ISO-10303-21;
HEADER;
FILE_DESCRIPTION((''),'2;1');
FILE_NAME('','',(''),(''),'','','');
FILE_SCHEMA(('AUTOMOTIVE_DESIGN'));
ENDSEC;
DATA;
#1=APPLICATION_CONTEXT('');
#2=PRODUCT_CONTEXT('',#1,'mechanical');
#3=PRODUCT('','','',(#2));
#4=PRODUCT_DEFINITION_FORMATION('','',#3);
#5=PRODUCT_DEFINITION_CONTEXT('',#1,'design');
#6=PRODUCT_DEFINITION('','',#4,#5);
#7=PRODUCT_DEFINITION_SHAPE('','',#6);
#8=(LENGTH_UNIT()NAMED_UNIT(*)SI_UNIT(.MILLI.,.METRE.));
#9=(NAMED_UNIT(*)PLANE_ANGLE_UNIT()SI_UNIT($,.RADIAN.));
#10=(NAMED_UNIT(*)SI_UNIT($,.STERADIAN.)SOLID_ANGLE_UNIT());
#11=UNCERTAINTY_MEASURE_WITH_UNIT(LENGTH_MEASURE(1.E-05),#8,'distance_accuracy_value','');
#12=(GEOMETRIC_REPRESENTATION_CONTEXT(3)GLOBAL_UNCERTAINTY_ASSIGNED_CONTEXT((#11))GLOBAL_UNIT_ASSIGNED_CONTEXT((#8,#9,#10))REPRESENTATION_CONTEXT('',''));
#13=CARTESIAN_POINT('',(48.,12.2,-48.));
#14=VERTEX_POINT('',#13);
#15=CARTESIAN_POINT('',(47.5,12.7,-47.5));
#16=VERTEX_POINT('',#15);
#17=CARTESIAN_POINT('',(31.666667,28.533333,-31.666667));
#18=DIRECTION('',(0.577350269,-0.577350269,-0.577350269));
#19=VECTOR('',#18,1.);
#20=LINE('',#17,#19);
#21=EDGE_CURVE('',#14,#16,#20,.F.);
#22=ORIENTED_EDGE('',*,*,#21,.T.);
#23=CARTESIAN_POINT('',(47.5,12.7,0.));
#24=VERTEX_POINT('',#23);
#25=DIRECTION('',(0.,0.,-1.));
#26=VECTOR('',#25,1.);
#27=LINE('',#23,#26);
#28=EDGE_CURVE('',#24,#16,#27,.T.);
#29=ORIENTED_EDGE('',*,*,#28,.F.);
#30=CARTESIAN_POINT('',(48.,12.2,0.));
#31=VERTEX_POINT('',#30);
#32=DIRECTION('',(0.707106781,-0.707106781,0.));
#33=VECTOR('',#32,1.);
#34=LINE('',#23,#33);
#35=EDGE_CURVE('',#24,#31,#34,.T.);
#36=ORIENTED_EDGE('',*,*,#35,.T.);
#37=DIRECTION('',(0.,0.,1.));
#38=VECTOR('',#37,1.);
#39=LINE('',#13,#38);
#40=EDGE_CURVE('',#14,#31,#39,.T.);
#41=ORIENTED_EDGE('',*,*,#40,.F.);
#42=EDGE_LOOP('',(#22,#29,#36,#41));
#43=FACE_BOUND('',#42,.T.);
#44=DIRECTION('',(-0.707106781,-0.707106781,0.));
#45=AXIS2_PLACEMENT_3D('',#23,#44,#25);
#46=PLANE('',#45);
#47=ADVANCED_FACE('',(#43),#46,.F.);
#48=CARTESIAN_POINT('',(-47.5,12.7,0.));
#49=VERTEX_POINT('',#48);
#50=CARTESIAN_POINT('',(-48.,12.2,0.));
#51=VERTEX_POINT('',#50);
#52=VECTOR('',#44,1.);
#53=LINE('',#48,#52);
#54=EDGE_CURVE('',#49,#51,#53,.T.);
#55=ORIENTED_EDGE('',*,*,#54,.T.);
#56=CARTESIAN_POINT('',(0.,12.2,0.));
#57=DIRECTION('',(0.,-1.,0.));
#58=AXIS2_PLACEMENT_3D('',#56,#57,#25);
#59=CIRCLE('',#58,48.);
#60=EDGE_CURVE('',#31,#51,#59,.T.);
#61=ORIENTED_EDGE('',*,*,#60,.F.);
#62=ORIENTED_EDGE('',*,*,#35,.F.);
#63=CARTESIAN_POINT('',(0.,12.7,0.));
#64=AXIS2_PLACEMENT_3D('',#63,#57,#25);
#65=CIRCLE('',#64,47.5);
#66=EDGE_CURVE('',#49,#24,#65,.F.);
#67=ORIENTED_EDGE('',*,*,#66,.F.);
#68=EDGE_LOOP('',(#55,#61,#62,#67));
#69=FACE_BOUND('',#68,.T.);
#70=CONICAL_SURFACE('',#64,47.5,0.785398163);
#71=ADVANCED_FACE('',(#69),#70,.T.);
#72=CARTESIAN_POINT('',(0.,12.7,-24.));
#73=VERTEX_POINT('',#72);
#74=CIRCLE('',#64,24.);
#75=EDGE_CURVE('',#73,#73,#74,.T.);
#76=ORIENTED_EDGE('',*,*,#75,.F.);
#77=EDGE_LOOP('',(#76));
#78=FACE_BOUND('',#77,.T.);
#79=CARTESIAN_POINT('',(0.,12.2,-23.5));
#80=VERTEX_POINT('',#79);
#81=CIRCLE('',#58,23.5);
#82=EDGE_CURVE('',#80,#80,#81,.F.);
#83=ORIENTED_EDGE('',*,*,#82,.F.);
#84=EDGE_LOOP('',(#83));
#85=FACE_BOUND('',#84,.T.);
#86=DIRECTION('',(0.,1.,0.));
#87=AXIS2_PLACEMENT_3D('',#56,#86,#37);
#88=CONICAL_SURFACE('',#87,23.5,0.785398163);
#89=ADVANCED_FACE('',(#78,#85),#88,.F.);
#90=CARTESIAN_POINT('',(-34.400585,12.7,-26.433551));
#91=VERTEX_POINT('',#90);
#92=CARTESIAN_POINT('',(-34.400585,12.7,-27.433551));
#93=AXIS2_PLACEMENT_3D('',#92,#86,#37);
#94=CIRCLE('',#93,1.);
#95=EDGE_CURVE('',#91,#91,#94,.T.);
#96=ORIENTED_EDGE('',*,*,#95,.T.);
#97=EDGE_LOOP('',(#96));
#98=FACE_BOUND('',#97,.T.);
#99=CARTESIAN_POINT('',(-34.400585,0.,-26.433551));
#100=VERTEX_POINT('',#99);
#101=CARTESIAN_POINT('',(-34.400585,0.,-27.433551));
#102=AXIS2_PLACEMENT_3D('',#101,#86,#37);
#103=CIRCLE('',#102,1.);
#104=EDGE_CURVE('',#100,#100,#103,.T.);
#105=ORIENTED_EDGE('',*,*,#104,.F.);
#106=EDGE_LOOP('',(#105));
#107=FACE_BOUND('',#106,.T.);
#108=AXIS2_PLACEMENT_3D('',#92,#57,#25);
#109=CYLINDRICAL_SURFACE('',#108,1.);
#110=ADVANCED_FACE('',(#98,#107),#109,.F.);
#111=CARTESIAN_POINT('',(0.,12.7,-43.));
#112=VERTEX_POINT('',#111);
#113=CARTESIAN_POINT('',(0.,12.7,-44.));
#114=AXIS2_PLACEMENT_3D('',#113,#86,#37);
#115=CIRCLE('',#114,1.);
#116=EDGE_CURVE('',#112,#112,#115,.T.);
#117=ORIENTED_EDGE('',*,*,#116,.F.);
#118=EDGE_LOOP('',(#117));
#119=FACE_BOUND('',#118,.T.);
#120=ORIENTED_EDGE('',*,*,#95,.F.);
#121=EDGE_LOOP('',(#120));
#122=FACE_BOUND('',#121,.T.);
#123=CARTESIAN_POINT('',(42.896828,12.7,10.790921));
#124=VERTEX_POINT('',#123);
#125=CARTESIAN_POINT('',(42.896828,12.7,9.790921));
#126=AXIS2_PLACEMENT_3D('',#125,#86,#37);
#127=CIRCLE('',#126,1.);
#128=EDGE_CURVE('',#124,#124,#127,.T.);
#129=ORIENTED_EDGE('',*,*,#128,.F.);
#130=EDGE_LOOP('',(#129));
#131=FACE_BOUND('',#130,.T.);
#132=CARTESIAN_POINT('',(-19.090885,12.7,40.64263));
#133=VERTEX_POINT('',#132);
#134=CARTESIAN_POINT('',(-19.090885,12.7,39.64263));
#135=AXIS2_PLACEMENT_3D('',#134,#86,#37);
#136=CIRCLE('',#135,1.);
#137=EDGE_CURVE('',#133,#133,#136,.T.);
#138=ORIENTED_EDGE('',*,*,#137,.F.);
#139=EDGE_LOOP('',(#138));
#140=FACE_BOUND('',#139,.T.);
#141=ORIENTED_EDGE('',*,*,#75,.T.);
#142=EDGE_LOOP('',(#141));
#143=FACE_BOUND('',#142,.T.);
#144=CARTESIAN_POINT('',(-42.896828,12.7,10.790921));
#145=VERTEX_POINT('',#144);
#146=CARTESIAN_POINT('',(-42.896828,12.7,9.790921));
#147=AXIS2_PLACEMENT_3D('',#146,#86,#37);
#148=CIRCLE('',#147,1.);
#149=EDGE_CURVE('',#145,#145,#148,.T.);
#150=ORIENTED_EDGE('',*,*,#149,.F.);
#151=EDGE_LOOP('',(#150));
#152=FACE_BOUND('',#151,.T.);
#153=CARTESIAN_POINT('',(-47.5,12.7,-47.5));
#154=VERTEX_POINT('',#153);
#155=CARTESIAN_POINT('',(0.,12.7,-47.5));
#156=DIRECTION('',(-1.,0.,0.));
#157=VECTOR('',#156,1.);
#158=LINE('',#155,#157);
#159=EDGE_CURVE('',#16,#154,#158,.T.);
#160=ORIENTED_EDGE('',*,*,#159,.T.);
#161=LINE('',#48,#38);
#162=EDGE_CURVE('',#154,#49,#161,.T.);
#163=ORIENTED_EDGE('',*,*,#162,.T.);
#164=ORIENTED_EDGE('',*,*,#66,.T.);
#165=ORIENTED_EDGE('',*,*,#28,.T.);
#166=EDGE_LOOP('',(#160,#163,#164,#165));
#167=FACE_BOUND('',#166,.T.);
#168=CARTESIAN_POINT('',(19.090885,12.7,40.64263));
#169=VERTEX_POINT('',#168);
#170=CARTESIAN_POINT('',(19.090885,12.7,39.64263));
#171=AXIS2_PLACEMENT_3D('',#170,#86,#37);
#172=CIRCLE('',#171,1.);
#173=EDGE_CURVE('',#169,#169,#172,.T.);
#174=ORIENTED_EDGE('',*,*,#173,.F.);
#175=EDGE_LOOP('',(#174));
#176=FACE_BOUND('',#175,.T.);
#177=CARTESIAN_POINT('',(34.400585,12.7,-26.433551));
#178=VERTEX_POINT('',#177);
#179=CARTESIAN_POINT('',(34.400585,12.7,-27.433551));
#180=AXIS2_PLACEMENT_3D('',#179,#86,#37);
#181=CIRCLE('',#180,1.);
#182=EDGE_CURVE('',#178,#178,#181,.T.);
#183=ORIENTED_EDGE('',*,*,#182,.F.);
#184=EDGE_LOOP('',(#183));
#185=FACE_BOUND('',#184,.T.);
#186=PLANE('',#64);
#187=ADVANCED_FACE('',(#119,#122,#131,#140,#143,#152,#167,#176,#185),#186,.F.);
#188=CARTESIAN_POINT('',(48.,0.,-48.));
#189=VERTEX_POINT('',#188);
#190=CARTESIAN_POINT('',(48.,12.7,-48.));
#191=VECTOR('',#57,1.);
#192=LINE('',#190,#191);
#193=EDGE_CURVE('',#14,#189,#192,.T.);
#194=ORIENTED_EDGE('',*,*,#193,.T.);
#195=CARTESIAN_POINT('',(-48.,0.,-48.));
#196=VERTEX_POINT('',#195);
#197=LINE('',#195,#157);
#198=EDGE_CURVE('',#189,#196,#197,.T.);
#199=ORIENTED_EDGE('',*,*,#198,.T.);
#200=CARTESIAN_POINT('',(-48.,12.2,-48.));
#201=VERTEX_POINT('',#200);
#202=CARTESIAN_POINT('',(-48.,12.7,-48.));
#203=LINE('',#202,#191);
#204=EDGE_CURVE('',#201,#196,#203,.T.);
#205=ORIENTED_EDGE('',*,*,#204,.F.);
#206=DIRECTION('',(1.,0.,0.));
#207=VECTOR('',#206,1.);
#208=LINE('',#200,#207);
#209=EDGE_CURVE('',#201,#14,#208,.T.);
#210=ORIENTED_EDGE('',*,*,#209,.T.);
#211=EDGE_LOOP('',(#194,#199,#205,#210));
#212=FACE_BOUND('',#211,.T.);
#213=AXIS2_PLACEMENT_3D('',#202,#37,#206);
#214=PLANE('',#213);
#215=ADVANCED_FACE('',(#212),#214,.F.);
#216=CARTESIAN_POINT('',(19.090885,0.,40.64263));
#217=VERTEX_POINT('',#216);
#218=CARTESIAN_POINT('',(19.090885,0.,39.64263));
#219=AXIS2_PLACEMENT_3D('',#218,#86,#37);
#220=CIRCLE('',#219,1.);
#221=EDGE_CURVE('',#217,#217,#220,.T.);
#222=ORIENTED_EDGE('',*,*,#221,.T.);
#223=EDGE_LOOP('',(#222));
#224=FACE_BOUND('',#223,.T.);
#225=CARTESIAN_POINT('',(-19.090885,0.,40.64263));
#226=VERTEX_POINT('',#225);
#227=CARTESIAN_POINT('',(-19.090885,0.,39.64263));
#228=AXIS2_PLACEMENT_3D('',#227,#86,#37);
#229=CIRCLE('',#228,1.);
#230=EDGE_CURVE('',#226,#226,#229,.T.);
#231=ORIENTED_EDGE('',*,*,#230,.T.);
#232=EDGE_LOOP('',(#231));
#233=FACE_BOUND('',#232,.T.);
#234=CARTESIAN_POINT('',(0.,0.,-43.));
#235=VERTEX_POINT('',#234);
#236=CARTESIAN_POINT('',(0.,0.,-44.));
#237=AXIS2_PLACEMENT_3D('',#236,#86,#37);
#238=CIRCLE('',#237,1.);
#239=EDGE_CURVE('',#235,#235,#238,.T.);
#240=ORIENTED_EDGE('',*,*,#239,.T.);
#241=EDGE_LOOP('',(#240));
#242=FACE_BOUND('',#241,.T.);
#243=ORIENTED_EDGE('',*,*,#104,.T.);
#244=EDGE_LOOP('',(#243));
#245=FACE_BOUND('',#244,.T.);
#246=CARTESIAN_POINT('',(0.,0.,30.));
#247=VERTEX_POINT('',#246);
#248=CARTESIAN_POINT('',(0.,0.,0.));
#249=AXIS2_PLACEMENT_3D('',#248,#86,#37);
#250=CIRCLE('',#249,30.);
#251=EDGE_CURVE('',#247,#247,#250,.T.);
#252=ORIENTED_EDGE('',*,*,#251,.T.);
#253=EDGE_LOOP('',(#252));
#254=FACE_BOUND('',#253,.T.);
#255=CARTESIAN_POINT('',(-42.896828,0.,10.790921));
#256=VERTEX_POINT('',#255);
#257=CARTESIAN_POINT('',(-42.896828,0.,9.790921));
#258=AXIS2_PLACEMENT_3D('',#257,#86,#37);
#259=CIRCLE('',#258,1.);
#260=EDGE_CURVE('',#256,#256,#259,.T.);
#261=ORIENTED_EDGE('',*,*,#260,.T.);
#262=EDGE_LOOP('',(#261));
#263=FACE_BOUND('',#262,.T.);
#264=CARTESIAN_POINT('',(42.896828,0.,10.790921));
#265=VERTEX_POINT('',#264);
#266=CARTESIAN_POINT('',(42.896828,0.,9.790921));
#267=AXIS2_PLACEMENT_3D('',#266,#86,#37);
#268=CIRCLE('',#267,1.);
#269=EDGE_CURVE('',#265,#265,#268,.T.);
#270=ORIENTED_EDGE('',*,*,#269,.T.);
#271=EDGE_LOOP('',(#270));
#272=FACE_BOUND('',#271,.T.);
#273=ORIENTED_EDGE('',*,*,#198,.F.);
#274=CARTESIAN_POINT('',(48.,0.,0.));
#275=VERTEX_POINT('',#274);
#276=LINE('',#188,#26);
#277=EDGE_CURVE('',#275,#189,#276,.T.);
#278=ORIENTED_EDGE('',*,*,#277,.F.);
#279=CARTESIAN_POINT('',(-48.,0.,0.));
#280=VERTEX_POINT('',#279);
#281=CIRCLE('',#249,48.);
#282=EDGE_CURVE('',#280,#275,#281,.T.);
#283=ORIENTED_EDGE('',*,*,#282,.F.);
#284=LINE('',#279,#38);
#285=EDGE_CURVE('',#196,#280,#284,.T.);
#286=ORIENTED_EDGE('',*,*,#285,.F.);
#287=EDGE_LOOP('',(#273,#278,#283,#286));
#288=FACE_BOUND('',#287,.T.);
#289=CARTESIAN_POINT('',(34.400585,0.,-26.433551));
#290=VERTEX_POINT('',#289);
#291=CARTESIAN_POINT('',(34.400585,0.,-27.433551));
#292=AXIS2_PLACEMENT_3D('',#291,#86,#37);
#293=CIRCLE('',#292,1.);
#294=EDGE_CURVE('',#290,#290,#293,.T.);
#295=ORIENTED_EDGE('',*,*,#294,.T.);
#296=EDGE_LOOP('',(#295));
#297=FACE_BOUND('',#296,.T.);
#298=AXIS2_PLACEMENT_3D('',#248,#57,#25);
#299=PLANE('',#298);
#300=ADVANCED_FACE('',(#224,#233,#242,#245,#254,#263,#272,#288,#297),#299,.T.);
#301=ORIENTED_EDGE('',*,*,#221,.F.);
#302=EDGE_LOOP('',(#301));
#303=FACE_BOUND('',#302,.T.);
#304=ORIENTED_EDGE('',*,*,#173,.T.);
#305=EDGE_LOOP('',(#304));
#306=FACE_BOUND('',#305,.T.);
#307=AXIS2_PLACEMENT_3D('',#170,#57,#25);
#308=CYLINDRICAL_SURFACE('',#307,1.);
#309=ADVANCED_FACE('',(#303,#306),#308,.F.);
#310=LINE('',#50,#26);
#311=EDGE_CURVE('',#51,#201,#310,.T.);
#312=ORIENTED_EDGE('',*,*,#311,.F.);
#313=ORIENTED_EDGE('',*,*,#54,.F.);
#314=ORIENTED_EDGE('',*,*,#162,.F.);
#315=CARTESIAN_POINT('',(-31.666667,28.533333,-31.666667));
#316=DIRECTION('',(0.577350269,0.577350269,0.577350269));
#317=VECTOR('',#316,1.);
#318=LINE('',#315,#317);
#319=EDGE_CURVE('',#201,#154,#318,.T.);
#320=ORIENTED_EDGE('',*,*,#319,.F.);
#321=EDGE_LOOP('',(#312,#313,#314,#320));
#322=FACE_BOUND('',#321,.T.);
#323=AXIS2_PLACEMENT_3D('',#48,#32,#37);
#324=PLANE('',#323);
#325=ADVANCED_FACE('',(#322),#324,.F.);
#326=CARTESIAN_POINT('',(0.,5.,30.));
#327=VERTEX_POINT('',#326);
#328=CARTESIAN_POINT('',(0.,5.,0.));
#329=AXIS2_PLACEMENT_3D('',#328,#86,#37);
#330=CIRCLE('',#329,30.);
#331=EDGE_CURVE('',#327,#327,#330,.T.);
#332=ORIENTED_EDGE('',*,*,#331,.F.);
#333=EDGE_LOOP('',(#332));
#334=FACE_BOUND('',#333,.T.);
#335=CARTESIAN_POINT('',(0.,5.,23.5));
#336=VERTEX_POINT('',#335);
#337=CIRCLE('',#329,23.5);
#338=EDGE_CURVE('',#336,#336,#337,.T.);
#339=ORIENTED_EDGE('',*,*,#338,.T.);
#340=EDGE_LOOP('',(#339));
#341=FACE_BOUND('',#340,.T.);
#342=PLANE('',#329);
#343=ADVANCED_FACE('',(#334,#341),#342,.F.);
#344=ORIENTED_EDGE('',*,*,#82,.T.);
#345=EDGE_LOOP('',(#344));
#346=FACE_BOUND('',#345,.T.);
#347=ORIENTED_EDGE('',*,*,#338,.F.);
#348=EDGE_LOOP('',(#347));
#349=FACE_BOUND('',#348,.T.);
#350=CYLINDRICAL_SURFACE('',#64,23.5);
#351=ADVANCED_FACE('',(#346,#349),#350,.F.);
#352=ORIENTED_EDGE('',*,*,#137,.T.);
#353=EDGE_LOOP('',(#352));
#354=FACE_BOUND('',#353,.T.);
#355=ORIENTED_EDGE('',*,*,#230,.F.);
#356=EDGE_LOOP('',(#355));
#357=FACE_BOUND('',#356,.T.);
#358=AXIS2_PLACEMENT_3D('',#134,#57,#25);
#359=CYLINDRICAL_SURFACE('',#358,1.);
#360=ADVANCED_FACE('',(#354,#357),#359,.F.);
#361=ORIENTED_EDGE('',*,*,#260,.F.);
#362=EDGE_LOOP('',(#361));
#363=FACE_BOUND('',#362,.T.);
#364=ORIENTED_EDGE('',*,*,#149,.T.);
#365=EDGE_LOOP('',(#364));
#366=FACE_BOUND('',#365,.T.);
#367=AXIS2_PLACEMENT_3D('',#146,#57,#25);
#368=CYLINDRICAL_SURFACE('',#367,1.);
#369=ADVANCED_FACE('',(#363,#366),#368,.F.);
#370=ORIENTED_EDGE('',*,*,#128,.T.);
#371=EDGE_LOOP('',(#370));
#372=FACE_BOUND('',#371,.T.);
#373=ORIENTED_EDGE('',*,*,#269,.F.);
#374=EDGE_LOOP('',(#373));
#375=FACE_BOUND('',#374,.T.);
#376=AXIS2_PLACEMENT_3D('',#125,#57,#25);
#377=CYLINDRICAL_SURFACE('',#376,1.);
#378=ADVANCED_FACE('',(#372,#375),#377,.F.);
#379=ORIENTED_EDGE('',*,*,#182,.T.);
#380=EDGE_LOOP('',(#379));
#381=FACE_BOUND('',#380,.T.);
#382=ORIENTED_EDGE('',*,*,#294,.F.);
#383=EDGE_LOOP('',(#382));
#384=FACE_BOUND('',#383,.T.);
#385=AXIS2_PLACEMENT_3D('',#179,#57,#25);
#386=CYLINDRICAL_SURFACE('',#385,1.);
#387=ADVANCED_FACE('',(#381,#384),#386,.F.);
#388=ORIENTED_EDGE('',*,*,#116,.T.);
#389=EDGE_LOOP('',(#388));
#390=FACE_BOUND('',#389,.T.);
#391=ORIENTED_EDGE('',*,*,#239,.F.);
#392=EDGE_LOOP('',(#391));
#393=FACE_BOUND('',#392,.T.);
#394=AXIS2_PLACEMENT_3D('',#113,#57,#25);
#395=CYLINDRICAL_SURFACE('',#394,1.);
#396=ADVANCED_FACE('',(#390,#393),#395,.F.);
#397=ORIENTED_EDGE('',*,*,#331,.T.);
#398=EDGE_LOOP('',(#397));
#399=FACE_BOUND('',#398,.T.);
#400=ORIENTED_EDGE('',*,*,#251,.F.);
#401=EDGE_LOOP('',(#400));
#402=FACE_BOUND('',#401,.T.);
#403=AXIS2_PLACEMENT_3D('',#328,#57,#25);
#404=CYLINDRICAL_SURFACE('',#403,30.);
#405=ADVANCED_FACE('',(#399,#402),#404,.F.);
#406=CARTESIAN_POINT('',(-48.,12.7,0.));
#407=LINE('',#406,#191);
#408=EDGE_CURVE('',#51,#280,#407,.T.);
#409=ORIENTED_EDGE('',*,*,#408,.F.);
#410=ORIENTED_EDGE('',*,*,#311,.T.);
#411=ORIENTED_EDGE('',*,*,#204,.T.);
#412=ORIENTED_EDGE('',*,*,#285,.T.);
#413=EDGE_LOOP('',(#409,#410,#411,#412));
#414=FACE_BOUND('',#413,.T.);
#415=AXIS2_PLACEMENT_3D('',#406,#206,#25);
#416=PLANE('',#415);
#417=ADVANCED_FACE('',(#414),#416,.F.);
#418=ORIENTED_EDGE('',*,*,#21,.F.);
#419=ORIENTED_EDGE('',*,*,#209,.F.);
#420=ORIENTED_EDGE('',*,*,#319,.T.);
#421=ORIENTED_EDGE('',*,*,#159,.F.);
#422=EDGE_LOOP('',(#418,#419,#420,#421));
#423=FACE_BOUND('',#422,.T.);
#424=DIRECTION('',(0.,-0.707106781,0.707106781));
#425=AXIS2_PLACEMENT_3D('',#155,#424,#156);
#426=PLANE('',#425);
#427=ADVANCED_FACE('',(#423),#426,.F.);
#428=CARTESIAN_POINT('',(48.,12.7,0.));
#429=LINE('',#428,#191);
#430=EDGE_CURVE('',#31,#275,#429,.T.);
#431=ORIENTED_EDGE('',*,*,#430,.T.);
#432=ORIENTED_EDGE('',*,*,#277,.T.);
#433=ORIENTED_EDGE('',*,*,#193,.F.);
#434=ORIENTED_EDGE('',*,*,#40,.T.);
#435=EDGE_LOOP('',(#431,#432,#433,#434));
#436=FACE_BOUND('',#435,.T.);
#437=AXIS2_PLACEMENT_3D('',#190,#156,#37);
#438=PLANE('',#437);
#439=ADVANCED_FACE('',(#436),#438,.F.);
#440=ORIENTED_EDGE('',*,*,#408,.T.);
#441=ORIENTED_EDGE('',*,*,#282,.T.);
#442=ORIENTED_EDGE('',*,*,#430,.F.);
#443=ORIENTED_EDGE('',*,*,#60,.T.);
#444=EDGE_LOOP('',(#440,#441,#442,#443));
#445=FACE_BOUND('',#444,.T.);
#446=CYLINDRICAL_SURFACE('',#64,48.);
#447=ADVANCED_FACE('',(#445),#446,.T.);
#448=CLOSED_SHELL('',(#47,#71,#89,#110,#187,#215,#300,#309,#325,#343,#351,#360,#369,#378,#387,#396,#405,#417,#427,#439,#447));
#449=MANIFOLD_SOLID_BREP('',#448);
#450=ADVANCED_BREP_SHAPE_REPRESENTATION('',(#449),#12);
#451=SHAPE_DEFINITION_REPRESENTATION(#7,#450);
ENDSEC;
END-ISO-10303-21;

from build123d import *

# Parameters (mm, degrees)
SKETCH2_W           = 96
SKETCH2_H           = 48
BOSS_EXTRUDE1_DEPTH = 12.7
SKETCH1_R           = 48
SKETCH1_R_2         = 23.5
SKETCH1_R_3         = 1
BOSS_EXTRUDE2_DEPTH = 12.7
SKETCH1_2_R         = 23.5
SKETCH1_2_R_2       = 1
CUT_EXTRUDE1_DEPTH  = 12.7
SKETCH3_R           = 30
CUT_EXTRUDE3_DEPTH  = 5
CHAMFER1_SIZE       = 0.5


with BuildPart() as part:
    # Sketch2 → Boss-Extrude1 (new body)
    with BuildSketch(Plane(origin=(0, 0, 0), x_dir=(1, 0, 0), z_dir=(0, 1, 0))):
        with Locations((0, 24)):
            Rectangle(SKETCH2_W, SKETCH2_H)
    extrude(amount=BOSS_EXTRUDE1_DEPTH)

    # Sketch1 → Boss-Extrude2 (add)
    with BuildSketch(Plane(origin=(0, 0, 0), x_dir=(1, 0, 0), z_dir=(0, 1, 0))):
        Circle(SKETCH1_R)
        Circle(SKETCH1_R_2, mode=Mode.SUBTRACT)
        with Locations((0, 44)):
            Circle(SKETCH1_R_3, mode=Mode.SUBTRACT)
        with Locations((34.400585229, 27.433551282)):
            Circle(SKETCH1_R_3, mode=Mode.SUBTRACT)
        with Locations((42.896828136, -9.790921094)):
            Circle(SKETCH1_R_3, mode=Mode.SUBTRACT)
        with Locations((19.090884521, -39.642630188)):
            Circle(SKETCH1_R_3, mode=Mode.SUBTRACT)
        with Locations((-19.090884521, -39.642630188)):
            Circle(SKETCH1_R_3, mode=Mode.SUBTRACT)
        with Locations((-42.896828136, -9.790921094)):
            Circle(SKETCH1_R_3, mode=Mode.SUBTRACT)
        with Locations((-34.400585229, 27.433551282)):
            Circle(SKETCH1_R_3, mode=Mode.SUBTRACT)
    extrude(amount=BOSS_EXTRUDE2_DEPTH)

    # Sketch1<2> → Cut-Extrude1 (cut)
    with BuildSketch(Plane(origin=(0, 0, 0), x_dir=(1, 0, 0), z_dir=(0, 1, 0))):
        Circle(SKETCH1_2_R)
        with Locations((0, 44)):
            Circle(SKETCH1_2_R_2)
        with Locations((34.400585229, 27.433551282)):
            Circle(SKETCH1_2_R_2)
        with Locations((-34.400585229, 27.433551282)):
            Circle(SKETCH1_2_R_2)
    extrude(amount=CUT_EXTRUDE1_DEPTH, mode=Mode.SUBTRACT)

    # Sketch3 → Cut-Extrude3 (cut)
    with BuildSketch(Plane(origin=(0, 0, 0), x_dir=(1, 0, 0), z_dir=(0, 1, 0))):
        Circle(SKETCH3_R)
    extrude(amount=CUT_EXTRUDE3_DEPTH, mode=Mode.SUBTRACT)

    # Chamfer1
    chamfer1_edges = [part.edges().sort_by_distance(p)[0] for p in [
        (-23.5, 12.7, 0),
        (48, 12.7, -24),
        (0, 12.7, 48),
        (-48, 12.7, -24),
        (0, 12.7, -48),
    ]]
    chamfer(chamfer1_edges, length=CHAMFER1_SIZE)


solid = part.part
